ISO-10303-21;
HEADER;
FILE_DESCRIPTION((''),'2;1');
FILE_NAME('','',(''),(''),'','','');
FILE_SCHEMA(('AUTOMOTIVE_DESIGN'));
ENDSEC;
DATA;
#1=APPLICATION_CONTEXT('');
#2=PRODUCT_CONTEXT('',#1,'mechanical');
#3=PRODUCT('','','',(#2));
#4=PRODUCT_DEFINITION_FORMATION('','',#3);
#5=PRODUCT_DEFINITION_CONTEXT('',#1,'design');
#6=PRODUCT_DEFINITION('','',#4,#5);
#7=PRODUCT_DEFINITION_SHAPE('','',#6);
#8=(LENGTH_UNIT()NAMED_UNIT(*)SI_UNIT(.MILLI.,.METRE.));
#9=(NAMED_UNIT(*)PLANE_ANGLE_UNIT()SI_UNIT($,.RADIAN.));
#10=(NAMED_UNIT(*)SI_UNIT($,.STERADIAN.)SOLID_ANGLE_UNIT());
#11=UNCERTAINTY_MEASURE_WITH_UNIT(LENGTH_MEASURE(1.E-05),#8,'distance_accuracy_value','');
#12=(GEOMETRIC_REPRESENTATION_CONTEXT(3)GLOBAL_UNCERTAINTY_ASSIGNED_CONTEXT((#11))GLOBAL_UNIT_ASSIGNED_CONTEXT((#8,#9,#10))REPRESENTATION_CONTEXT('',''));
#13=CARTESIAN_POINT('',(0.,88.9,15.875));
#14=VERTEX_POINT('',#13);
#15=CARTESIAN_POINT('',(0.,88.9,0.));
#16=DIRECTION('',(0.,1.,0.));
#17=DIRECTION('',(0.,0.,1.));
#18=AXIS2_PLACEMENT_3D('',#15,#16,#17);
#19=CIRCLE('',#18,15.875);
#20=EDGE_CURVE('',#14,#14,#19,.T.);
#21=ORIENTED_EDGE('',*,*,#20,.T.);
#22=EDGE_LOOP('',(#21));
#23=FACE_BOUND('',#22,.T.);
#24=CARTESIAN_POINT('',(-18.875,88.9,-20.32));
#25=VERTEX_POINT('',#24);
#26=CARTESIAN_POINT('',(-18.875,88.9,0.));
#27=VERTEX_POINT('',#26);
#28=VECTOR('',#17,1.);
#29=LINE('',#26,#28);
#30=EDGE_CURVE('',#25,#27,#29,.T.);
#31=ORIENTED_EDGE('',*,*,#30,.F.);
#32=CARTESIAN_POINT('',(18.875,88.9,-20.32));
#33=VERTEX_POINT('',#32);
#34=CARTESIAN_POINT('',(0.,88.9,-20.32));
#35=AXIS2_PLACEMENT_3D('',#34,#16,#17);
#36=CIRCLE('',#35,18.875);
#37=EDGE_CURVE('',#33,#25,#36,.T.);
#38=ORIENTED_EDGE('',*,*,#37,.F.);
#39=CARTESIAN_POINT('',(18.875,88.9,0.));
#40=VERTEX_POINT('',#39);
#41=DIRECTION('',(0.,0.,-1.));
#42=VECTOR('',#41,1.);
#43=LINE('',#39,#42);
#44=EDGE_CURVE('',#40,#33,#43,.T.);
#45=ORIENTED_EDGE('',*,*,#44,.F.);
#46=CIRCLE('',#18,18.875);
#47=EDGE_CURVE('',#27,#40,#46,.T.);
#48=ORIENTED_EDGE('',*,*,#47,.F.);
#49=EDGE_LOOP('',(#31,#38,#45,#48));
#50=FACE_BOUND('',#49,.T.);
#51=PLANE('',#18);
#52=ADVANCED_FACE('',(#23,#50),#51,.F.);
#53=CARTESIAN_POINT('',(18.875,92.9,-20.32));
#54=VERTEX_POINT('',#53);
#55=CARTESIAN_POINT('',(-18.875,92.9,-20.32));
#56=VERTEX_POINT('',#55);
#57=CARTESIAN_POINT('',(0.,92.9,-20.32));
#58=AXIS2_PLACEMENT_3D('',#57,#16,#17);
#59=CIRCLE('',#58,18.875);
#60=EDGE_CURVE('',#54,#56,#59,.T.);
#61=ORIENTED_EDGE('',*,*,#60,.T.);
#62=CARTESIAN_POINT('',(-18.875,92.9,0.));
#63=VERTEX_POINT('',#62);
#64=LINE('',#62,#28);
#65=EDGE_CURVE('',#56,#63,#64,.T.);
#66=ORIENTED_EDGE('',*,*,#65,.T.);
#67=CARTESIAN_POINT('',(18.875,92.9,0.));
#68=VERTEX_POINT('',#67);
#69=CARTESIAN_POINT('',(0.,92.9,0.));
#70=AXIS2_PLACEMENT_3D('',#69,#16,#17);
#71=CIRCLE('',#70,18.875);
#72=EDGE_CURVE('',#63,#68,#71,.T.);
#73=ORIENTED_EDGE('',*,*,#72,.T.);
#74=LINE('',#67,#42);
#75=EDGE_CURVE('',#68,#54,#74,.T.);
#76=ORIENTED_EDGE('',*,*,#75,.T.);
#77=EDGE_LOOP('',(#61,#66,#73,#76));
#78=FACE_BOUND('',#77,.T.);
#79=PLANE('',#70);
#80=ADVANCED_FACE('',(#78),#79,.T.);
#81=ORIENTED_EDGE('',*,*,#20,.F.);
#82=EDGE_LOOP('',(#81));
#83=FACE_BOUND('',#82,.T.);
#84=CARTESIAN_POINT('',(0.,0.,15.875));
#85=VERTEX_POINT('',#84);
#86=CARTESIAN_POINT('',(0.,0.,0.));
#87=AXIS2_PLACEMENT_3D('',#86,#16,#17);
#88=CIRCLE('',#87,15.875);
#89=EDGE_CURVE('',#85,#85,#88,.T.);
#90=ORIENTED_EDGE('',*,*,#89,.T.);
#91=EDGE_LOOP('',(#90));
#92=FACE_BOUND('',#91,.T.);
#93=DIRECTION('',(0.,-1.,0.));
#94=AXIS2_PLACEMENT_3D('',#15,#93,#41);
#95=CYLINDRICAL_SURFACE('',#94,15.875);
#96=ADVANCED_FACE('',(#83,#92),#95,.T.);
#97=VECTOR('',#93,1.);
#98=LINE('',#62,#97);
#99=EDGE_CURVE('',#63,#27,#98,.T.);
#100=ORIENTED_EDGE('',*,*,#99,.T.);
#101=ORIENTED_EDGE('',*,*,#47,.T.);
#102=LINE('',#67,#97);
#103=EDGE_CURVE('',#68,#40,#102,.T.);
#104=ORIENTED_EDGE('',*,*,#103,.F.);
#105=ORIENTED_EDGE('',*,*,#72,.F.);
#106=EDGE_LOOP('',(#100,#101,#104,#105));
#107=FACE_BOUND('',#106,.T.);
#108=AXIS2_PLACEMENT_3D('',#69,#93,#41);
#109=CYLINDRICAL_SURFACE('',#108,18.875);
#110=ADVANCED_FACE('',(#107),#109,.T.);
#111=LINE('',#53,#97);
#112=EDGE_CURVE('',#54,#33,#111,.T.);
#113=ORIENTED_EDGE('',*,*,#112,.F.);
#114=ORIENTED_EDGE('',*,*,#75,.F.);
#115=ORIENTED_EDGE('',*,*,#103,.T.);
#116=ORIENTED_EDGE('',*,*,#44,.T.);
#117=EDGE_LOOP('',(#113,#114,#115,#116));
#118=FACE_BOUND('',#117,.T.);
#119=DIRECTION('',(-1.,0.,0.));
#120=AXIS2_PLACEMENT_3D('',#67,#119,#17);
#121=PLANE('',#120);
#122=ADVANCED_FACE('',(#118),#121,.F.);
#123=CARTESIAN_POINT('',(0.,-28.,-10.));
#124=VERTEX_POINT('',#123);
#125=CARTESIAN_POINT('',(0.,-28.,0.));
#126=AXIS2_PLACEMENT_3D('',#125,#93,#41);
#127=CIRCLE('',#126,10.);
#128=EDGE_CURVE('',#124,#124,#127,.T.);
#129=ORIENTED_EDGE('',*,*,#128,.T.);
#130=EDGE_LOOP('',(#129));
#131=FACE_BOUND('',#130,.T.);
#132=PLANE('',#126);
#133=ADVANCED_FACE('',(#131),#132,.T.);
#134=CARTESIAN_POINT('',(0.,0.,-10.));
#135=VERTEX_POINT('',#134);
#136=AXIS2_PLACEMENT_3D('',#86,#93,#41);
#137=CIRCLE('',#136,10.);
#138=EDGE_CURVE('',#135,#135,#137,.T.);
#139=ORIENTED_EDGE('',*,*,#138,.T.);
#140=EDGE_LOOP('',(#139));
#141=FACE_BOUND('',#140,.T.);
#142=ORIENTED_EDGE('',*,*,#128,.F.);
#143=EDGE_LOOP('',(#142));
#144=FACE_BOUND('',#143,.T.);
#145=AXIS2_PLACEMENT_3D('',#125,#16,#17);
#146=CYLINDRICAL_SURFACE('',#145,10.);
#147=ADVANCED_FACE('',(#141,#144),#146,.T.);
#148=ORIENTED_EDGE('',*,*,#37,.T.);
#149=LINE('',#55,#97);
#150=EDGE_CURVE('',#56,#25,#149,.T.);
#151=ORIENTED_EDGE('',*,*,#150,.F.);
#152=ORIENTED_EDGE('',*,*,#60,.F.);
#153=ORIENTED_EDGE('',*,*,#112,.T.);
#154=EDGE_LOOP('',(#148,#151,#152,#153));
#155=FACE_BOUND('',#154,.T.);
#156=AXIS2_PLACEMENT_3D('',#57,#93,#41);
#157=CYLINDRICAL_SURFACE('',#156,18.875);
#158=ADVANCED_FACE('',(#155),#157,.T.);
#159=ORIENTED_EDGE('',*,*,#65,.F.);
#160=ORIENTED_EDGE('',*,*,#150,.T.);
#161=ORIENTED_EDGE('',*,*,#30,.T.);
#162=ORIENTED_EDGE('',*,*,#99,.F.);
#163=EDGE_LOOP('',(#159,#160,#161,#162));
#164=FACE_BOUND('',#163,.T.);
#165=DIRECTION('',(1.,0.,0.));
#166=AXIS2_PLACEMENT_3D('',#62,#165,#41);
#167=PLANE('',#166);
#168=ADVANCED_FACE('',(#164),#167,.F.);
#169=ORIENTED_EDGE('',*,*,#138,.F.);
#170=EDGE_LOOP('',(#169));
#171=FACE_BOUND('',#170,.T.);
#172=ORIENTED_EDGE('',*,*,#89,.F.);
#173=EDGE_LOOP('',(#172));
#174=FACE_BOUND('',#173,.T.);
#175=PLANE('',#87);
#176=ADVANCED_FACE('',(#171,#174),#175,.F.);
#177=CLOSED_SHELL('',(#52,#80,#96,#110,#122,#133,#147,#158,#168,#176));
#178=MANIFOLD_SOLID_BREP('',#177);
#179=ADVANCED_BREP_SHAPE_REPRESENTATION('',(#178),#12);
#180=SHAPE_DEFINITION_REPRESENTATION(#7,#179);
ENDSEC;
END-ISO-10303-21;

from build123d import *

# Parameters (mm, degrees)
SKETCH1_R           = 15.875
BOSS_EXTRUDE1_DEPTH = 88.9
BOSS_EXTRUDE2_DEPTH = 4
SKETCH3_R           = 9.999999939
BOSS_EXTRUDE3_DEPTH = 27.99999991


with BuildPart() as part:
    # Sketch1 → Boss-Extrude1 (new body)
    with BuildSketch(Plane(origin=(0, 0, 0), x_dir=(1, 0, 0), z_dir=(0, 1, 0))):
        Circle(SKETCH1_R)
    extrude(amount=BOSS_EXTRUDE1_DEPTH)

    # Sketch2 → Boss-Extrude2 (add)
    with BuildSketch(Plane(origin=(0, 88.9, 0), x_dir=(1, 0, 0), z_dir=(0, 1, 0))):
        with BuildLine():
            Line((-18.875, 0), (-18.875, 20.32))
            ThreePointArc((-18.875, 20.32), (0, 39.195), (18.875, 20.32))
            Line((18.875, 20.32), (18.875, 0))
            ThreePointArc((18.875, 0), (0, -18.875), (-18.875, 0))
        make_face()
    extrude(amount=BOSS_EXTRUDE2_DEPTH)

    # Sketch3 → Boss-Extrude3 (add)
    with BuildSketch(Plane.XZ):
        Circle(SKETCH3_R)
    extrude(amount=BOSS_EXTRUDE3_DEPTH)


solid = part.part
